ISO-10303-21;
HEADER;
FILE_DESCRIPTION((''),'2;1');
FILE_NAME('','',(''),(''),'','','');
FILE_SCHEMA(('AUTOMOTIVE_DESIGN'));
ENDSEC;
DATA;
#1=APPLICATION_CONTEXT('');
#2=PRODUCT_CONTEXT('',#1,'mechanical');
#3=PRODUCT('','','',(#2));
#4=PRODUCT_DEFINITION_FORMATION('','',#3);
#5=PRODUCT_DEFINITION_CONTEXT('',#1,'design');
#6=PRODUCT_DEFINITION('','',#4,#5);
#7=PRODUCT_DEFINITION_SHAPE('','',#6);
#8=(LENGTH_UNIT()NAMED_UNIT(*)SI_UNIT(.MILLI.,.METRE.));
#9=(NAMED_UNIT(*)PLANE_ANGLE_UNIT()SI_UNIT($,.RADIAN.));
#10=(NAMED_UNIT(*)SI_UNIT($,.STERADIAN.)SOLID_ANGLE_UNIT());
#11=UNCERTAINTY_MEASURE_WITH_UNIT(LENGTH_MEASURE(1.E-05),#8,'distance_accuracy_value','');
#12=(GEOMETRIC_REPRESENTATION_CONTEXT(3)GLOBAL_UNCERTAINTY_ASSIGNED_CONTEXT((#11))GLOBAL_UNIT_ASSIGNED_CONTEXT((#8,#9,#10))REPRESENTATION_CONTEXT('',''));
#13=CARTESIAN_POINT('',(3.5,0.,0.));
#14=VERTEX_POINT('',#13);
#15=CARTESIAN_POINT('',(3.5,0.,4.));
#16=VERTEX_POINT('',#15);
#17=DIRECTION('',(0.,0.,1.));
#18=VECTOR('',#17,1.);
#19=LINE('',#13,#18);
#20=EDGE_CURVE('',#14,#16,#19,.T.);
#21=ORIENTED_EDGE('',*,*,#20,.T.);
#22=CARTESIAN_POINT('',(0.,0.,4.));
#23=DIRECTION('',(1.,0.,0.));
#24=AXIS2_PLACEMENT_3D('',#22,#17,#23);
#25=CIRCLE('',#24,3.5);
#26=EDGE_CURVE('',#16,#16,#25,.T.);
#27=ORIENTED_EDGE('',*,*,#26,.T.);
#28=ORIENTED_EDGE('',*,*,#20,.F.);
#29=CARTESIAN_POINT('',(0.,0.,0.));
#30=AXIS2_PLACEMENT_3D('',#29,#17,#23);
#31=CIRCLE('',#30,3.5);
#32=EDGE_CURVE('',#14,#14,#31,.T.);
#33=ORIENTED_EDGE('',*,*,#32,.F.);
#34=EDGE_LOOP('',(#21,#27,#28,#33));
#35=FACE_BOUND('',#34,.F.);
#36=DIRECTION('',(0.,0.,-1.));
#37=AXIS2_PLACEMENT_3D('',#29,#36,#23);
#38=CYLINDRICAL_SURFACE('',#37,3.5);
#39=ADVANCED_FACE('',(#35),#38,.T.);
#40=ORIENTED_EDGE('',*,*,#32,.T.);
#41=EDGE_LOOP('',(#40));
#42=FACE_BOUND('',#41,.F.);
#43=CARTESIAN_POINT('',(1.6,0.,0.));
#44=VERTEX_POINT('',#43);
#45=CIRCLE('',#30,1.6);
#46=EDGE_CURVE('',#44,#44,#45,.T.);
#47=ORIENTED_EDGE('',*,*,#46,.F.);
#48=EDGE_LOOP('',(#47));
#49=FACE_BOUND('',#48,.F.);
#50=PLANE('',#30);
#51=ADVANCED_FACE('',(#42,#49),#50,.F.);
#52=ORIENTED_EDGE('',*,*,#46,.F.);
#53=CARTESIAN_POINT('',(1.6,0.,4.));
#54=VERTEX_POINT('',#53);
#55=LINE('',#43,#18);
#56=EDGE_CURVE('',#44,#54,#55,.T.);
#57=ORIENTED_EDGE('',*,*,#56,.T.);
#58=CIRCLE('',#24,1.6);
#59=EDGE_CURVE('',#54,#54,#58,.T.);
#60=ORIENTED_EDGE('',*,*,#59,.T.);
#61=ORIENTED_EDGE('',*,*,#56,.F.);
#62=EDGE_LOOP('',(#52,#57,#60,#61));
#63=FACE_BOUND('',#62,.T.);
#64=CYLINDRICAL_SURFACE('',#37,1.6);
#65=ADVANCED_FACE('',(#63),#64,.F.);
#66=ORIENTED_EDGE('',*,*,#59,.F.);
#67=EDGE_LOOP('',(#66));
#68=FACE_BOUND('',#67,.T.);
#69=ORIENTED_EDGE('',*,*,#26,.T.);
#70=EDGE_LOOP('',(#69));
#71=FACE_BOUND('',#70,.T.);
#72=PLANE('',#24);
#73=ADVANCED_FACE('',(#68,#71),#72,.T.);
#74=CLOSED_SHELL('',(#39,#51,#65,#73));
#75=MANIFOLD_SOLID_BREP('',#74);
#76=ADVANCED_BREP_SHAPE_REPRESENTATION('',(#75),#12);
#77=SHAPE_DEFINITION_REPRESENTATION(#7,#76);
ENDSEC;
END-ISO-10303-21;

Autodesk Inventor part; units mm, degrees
ref_plane "YZ Plane" through (0, 0, 0) normal (1, 0, 0) x (0, 1, 0)
ref_plane "XZ Plane" through (0, 0, 0) normal (0, 1, 0) x (-1, 0, 0)
ref_plane "XY Plane" through (0, 0, 0) normal (0, 0, 1) x (1, 0, 0)
sketch "Skizze1" plane through (0, 0, 0) normal (0, 0, 1) x (1, 0, 0)
  circle A0 centre (0, 0) radius 1.6
  circle A1 centre (0, 0) radius 3.5
  dimension "d0" = 3.2
  dimension "d1" = 7
extrude "Extrusion1" add sketch "Skizze1" along normal blind 4
properties part number "PCB-Spacer 3x7x5"
